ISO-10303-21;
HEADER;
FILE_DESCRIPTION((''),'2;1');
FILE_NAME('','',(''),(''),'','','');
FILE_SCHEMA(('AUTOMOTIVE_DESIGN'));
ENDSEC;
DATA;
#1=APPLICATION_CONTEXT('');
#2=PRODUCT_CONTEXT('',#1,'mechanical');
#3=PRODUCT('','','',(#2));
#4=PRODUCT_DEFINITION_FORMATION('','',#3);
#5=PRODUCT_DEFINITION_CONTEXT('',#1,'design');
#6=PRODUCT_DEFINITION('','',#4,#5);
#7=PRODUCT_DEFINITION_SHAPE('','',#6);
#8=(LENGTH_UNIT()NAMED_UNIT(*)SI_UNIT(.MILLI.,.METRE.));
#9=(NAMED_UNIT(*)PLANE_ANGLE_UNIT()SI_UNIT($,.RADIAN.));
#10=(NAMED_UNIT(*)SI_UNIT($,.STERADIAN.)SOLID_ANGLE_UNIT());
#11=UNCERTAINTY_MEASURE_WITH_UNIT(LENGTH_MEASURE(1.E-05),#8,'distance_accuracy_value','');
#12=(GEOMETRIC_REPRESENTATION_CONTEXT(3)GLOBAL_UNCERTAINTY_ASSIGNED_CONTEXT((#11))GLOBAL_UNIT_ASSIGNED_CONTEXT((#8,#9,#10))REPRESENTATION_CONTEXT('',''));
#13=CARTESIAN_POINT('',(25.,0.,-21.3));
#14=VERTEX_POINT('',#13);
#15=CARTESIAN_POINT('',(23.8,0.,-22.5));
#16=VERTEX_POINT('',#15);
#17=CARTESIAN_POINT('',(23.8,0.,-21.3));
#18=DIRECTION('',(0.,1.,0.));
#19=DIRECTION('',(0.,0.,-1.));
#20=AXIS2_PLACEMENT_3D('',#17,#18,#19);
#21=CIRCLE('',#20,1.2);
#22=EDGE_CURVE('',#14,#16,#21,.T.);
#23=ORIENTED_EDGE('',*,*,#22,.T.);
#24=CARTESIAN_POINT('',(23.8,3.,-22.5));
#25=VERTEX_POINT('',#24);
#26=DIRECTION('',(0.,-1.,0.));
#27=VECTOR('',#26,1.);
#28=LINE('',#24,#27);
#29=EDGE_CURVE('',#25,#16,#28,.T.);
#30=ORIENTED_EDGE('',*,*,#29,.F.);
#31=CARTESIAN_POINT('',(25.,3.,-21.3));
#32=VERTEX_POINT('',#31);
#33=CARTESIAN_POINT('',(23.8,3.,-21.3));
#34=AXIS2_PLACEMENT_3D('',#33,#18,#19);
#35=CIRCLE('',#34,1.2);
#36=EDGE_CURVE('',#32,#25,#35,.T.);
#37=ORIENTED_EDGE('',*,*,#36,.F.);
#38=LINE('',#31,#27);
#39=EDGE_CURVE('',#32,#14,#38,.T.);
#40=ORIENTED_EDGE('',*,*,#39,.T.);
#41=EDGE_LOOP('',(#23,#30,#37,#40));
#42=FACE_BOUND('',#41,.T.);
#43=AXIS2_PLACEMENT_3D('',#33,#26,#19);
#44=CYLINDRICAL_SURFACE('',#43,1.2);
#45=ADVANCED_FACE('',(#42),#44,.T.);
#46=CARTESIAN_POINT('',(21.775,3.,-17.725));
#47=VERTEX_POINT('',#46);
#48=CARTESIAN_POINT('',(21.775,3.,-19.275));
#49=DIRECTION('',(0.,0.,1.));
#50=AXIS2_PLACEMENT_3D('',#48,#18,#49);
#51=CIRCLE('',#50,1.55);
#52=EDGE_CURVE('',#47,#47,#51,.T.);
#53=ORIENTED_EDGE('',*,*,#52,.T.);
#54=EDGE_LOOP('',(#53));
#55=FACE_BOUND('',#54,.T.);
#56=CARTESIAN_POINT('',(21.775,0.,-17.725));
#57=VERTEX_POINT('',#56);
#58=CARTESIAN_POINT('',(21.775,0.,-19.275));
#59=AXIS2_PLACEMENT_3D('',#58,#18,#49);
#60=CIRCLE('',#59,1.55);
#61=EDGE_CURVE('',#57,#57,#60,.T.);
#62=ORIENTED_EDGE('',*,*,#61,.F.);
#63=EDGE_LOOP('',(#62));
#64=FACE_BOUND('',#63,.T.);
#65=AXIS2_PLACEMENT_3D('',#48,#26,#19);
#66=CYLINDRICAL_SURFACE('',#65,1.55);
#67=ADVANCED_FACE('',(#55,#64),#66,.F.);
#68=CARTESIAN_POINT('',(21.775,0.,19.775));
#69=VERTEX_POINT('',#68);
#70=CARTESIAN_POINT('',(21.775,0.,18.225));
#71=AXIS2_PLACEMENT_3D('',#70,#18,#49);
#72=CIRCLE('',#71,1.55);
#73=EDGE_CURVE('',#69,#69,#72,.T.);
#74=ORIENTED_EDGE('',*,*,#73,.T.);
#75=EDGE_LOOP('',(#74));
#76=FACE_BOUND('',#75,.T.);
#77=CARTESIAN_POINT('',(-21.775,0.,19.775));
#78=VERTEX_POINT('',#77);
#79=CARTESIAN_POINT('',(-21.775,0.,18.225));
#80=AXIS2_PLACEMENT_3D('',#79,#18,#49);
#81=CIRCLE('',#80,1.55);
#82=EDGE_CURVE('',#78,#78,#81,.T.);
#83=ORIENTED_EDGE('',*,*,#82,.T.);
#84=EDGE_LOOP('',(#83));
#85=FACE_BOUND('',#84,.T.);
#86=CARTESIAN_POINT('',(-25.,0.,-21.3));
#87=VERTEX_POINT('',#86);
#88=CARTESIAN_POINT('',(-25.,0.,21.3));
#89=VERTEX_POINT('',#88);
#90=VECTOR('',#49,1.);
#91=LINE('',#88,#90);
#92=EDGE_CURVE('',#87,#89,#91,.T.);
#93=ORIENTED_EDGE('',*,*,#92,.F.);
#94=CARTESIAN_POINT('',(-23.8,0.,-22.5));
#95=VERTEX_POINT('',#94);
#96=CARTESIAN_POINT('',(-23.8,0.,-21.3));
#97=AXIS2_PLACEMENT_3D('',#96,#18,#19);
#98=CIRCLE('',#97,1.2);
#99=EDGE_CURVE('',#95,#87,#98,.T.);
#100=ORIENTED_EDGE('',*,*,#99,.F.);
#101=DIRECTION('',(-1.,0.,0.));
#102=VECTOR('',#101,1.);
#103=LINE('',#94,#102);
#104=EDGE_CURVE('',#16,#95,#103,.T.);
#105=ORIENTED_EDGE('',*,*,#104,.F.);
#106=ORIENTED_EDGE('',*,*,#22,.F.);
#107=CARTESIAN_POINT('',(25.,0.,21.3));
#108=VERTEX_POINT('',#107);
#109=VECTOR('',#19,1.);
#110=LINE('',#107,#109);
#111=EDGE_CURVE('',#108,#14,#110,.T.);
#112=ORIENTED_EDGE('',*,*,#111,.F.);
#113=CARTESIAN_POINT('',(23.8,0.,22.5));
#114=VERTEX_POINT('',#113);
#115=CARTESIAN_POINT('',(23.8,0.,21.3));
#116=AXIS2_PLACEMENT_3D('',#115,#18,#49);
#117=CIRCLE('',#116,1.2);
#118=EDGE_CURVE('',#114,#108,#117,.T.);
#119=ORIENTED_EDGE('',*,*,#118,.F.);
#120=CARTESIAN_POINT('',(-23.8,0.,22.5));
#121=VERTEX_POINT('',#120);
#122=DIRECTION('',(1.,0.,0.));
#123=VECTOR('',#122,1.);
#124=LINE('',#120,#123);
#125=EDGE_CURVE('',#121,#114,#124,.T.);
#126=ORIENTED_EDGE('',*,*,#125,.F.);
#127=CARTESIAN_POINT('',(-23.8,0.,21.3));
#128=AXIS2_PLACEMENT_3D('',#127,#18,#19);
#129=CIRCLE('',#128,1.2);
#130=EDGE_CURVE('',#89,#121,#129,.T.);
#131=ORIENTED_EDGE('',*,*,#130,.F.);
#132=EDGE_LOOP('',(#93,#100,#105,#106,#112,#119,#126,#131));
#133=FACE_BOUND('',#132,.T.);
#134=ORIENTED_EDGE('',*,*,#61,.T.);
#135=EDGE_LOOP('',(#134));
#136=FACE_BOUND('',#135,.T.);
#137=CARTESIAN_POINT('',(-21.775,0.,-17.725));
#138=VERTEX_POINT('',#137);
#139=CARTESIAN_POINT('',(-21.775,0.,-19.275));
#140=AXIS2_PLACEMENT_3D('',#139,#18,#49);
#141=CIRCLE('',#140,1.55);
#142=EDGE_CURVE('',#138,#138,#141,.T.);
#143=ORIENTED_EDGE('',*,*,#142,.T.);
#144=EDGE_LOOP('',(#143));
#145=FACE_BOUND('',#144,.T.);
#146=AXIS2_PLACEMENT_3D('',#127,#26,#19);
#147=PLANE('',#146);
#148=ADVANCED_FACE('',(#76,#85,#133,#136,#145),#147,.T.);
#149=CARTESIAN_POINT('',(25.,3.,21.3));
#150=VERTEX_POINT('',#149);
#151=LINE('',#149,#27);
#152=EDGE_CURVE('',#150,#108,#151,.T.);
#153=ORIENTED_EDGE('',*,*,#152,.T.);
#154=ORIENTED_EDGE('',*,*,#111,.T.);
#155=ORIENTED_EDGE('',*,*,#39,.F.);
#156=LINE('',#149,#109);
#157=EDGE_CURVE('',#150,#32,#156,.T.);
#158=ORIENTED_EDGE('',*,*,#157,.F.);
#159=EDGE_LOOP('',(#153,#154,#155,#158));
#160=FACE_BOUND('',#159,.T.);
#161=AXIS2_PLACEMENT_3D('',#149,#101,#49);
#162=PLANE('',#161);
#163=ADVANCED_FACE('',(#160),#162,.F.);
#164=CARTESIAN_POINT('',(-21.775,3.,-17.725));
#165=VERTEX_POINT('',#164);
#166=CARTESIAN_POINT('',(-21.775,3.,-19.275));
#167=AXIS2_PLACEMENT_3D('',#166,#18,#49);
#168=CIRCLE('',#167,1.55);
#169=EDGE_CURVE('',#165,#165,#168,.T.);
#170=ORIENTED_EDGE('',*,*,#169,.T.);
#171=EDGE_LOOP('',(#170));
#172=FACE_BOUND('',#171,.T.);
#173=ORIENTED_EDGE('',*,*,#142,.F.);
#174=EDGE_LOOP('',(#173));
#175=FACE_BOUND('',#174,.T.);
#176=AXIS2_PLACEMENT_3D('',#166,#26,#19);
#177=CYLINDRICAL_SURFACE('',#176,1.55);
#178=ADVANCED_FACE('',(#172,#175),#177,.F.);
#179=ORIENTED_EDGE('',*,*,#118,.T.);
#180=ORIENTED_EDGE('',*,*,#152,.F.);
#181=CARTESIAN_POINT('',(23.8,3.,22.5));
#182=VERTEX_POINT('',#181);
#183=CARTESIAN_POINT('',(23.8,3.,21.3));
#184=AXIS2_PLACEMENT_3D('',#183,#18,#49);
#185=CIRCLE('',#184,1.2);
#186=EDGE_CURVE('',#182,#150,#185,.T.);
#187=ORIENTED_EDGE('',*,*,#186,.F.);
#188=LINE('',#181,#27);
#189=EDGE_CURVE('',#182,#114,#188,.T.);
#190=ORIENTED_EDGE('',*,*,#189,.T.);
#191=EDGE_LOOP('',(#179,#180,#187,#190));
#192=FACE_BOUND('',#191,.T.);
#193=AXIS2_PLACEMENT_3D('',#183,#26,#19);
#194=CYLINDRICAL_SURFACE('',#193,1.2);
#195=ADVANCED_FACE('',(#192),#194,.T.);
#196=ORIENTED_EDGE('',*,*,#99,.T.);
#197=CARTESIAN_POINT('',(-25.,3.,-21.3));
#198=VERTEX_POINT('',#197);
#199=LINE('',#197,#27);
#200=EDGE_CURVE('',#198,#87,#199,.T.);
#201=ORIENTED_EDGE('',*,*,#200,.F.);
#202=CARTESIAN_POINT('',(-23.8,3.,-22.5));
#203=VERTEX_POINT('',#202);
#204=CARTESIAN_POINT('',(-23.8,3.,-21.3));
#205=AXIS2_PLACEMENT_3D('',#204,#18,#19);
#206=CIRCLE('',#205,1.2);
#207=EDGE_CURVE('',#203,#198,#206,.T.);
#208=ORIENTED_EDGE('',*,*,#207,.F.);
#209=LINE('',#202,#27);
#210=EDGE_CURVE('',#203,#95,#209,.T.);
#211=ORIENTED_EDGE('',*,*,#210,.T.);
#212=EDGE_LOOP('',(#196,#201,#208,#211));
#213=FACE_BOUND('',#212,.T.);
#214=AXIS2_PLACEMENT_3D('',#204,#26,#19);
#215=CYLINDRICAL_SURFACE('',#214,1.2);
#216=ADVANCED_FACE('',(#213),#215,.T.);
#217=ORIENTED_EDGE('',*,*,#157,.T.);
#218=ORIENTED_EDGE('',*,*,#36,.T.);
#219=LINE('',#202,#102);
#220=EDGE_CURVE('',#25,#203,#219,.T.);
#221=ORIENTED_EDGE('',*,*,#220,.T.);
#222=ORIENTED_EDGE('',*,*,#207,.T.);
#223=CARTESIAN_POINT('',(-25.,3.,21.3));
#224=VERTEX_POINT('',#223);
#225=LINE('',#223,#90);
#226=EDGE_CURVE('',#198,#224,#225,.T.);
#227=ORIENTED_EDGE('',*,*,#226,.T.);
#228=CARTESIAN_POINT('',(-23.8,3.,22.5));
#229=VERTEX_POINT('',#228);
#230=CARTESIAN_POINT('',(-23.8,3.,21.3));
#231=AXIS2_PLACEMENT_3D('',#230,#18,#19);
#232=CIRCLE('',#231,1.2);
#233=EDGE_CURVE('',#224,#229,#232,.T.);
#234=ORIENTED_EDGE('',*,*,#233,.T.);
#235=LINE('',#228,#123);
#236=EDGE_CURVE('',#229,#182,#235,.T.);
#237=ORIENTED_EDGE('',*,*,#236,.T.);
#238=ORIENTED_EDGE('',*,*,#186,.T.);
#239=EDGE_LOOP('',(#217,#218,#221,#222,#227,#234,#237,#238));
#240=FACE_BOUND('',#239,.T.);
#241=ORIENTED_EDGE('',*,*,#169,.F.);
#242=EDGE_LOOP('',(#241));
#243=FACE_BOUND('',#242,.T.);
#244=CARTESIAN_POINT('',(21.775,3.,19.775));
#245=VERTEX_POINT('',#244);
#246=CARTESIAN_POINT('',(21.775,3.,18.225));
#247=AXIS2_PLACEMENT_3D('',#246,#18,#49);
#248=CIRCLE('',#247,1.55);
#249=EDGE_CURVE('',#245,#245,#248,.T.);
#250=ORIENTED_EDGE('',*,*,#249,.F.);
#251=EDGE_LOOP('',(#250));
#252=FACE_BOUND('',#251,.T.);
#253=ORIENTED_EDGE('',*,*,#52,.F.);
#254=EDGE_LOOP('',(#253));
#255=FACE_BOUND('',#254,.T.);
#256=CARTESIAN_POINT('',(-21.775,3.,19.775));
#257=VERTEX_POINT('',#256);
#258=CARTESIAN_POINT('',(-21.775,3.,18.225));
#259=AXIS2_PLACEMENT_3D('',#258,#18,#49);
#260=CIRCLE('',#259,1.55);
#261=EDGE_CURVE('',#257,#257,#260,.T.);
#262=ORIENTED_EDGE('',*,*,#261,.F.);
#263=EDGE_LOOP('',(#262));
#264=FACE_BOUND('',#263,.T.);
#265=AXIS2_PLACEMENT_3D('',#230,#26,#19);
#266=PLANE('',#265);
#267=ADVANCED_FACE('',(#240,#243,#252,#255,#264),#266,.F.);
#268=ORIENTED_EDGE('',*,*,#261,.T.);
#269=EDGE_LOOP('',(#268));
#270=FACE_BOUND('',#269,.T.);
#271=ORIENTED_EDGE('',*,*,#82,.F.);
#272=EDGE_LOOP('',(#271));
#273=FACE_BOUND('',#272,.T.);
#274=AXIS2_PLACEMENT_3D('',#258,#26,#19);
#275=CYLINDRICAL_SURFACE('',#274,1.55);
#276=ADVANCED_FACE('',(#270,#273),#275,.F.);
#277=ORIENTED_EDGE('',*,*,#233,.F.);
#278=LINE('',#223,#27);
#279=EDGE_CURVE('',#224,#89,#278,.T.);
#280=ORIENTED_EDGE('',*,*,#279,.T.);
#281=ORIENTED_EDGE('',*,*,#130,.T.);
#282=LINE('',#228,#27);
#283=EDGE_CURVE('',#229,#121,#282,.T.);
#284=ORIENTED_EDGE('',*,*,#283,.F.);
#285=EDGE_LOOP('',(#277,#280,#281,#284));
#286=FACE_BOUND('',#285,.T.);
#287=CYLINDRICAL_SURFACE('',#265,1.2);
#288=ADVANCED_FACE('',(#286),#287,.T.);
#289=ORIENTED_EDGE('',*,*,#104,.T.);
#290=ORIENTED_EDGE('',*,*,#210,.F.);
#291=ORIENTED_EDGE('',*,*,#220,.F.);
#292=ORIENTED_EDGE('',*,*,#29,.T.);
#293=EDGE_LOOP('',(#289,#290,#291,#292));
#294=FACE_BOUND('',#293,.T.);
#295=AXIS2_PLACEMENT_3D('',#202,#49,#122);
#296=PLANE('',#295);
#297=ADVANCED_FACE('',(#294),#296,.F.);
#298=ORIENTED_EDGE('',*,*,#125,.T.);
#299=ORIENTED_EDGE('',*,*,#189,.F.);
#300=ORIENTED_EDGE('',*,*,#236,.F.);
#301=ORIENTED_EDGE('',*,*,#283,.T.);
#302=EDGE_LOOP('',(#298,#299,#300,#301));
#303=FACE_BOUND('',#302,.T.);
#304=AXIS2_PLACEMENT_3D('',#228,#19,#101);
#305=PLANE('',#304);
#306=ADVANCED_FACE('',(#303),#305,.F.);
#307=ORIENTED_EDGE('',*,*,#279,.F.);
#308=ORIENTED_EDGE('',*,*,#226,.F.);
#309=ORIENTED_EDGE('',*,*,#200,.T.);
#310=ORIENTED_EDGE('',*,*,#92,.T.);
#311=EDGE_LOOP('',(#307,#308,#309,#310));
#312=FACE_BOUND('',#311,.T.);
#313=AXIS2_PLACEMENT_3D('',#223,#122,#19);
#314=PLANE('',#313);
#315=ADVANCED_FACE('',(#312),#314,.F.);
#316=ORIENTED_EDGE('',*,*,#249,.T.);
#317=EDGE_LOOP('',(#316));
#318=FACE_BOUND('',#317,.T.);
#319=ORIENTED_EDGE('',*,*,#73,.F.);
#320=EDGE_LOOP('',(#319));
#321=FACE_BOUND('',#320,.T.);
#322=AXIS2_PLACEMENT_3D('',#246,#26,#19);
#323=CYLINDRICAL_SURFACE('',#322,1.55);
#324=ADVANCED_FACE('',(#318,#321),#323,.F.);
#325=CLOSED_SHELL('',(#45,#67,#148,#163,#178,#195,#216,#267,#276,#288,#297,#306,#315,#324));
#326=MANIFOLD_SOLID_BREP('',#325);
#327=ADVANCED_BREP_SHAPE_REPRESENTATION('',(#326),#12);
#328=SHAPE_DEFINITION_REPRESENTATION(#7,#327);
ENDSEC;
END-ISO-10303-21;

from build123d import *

# Parameters (mm, degrees)
SKETCH_1_R      = 1.55
EXTRUDE_1_DEPTH = 3


with BuildPart() as part:
    # 草圖1 → 填料-伸長1 (new body)
    with BuildSketch(Plane(origin=(0, 0, 0), x_dir=(1, 0, 0), z_dir=(0, 1, 0))):
        with BuildLine():
            Line((-23.8, -22.5), (23.8, -22.5))
            ThreePointArc((23.8, -22.5), (24.648528137, -22.148528137), (25, -21.3))
            Line((25, -21.3), (25, 21.3))
            ThreePointArc((25, 21.3), (24.648528137, 22.148528137), (23.8, 22.5))
            Line((23.8, 22.5), (-23.8, 22.5))
            ThreePointArc((-23.8, 22.5), (-24.648528137, 22.148528137), (-25, 21.3))
            Line((-25, 21.3), (-25, -21.3))
            ThreePointArc((-25, -21.3), (-24.648528137, -22.148528137), (-23.8, -22.5))
        make_face()
        with Locations(Location((-21.775, 19.275, 0), (0, 0, 270))):
            Circle(SKETCH_1_R, mode=Mode.SUBTRACT)
        with Locations(Location((21.775, 19.275, 0), (0, 0, 270))):
            Circle(SKETCH_1_R, mode=Mode.SUBTRACT)
        with Locations(Location((21.775, -18.225, 0), (0, 0, 270))):
            Circle(SKETCH_1_R, mode=Mode.SUBTRACT)
        with Locations(Location((-21.775, -18.225, 0), (0, 0, 270))):
            Circle(SKETCH_1_R, mode=Mode.SUBTRACT)
    extrude(amount=EXTRUDE_1_DEPTH)


solid = part.part
